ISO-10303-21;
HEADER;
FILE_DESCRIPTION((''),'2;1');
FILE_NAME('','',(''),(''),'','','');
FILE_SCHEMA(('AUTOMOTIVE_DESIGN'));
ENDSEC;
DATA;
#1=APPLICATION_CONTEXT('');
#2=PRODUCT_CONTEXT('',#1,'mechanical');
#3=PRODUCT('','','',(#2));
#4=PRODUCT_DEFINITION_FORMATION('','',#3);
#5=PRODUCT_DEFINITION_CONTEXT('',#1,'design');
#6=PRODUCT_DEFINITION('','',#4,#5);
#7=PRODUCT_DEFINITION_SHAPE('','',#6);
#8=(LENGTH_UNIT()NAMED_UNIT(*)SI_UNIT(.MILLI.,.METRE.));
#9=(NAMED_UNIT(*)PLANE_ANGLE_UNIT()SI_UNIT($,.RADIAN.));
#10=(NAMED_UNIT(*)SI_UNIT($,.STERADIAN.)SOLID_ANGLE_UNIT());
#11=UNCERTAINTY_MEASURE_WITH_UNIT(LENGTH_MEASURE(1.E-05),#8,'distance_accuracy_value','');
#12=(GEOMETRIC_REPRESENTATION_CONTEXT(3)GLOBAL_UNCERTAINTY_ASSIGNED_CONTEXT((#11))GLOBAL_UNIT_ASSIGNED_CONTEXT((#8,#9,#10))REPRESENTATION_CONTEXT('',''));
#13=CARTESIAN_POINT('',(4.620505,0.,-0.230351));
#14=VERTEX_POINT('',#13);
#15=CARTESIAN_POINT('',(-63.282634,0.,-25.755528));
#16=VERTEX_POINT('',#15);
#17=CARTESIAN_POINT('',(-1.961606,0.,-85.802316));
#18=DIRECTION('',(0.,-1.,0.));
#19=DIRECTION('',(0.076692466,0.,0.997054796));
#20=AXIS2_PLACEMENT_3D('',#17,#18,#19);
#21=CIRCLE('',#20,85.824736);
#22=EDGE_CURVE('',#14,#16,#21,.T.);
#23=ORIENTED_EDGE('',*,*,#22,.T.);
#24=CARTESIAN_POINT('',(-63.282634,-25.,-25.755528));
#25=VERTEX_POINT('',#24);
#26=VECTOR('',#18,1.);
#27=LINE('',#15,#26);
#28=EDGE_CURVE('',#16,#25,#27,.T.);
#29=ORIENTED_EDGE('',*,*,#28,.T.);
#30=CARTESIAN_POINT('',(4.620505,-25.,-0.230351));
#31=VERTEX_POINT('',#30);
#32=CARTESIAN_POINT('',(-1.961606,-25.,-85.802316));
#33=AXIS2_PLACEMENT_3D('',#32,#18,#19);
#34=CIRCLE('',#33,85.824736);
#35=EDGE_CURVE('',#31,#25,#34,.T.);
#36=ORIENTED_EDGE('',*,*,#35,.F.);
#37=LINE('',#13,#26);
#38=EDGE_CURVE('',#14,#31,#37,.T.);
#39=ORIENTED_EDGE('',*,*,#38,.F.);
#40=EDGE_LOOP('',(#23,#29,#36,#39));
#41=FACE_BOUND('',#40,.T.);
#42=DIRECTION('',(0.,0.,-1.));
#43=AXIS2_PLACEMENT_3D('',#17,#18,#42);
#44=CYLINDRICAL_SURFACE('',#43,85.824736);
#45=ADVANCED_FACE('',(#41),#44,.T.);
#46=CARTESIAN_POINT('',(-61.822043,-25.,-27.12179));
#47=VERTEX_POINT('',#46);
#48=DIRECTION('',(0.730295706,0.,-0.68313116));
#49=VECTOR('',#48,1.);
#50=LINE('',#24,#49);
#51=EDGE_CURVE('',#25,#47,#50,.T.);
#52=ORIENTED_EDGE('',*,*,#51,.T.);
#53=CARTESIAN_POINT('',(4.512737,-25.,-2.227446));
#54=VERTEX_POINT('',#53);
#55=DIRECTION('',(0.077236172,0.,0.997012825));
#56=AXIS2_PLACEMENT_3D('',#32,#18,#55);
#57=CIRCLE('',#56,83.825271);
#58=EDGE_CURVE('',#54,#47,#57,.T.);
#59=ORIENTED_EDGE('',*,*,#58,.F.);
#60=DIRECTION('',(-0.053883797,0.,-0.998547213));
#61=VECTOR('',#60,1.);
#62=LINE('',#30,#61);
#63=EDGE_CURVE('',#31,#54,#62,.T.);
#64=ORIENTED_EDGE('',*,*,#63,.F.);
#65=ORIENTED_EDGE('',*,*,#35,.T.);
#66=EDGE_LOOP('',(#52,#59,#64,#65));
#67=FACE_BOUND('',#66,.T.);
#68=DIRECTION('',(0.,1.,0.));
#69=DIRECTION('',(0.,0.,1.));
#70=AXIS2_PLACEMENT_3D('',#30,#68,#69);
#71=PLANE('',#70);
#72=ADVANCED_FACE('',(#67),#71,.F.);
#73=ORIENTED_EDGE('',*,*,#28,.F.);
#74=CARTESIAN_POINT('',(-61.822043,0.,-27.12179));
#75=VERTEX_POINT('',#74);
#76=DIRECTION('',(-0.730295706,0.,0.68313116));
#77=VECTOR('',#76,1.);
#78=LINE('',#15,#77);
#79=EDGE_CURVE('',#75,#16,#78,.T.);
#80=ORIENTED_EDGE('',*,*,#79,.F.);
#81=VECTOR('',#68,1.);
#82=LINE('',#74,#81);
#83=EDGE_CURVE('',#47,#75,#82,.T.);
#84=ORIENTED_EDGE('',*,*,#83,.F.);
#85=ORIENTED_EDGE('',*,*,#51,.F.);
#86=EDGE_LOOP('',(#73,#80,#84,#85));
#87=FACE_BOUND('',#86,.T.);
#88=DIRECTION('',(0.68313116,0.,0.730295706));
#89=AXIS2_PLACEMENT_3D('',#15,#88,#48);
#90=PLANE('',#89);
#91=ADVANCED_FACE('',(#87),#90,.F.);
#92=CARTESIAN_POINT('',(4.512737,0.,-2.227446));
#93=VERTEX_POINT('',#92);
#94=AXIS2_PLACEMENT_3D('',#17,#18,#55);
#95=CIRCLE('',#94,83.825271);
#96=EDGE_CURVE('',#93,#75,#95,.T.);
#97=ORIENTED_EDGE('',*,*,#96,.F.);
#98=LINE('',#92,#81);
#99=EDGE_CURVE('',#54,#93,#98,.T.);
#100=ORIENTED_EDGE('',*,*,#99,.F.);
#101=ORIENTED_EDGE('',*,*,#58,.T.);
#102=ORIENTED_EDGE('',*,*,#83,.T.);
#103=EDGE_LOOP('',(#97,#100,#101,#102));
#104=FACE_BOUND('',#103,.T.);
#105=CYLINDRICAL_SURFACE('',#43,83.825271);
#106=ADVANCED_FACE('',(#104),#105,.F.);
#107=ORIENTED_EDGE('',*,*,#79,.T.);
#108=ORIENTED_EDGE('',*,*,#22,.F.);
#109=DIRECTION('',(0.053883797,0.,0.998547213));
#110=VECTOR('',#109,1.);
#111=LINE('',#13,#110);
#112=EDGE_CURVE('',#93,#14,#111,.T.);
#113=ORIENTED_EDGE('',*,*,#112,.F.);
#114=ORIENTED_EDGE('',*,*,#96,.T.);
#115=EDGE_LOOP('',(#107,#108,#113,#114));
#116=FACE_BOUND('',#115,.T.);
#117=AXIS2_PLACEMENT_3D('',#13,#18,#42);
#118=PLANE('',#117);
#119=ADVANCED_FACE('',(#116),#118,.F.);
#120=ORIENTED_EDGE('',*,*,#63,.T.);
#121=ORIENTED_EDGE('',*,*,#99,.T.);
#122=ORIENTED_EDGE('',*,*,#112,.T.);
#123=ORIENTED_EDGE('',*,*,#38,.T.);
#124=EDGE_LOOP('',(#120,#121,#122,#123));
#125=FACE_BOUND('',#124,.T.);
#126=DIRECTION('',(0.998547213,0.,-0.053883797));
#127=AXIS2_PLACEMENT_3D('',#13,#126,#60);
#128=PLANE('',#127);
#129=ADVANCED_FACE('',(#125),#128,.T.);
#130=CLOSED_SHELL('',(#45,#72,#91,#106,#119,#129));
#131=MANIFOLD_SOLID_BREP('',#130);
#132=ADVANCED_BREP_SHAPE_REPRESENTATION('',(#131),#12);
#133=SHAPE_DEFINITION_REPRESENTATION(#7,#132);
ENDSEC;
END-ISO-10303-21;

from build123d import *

# Parameters (mm, degrees)
SKETCH1_W = 2
SKETCH1_H = 25


with BuildPart() as part:
    # Sweep1: sweep along a path in Sketch2
    with BuildLine(Plane(origin=(0, 0, 0), x_dir=(1, 0, 0), z_dir=(0, 1, 0))) as sweep1_path:
        ThreePointArc((-62.552338709, 26.43865908), (-31.787293539, 6.393821216), (4.566621001, 1.228898482))
    # Sketch1 → Sweep1 (sweep)
    with BuildSketch(Plane(origin=(0, 0, 0), x_dir=(0, 0, -1), z_dir=(1, 0, 0))):
        with Locations((1, -12.5)):
            Rectangle(SKETCH1_W, SKETCH1_H)
    sweep(path=sweep1_path.line)


solid = part.part
